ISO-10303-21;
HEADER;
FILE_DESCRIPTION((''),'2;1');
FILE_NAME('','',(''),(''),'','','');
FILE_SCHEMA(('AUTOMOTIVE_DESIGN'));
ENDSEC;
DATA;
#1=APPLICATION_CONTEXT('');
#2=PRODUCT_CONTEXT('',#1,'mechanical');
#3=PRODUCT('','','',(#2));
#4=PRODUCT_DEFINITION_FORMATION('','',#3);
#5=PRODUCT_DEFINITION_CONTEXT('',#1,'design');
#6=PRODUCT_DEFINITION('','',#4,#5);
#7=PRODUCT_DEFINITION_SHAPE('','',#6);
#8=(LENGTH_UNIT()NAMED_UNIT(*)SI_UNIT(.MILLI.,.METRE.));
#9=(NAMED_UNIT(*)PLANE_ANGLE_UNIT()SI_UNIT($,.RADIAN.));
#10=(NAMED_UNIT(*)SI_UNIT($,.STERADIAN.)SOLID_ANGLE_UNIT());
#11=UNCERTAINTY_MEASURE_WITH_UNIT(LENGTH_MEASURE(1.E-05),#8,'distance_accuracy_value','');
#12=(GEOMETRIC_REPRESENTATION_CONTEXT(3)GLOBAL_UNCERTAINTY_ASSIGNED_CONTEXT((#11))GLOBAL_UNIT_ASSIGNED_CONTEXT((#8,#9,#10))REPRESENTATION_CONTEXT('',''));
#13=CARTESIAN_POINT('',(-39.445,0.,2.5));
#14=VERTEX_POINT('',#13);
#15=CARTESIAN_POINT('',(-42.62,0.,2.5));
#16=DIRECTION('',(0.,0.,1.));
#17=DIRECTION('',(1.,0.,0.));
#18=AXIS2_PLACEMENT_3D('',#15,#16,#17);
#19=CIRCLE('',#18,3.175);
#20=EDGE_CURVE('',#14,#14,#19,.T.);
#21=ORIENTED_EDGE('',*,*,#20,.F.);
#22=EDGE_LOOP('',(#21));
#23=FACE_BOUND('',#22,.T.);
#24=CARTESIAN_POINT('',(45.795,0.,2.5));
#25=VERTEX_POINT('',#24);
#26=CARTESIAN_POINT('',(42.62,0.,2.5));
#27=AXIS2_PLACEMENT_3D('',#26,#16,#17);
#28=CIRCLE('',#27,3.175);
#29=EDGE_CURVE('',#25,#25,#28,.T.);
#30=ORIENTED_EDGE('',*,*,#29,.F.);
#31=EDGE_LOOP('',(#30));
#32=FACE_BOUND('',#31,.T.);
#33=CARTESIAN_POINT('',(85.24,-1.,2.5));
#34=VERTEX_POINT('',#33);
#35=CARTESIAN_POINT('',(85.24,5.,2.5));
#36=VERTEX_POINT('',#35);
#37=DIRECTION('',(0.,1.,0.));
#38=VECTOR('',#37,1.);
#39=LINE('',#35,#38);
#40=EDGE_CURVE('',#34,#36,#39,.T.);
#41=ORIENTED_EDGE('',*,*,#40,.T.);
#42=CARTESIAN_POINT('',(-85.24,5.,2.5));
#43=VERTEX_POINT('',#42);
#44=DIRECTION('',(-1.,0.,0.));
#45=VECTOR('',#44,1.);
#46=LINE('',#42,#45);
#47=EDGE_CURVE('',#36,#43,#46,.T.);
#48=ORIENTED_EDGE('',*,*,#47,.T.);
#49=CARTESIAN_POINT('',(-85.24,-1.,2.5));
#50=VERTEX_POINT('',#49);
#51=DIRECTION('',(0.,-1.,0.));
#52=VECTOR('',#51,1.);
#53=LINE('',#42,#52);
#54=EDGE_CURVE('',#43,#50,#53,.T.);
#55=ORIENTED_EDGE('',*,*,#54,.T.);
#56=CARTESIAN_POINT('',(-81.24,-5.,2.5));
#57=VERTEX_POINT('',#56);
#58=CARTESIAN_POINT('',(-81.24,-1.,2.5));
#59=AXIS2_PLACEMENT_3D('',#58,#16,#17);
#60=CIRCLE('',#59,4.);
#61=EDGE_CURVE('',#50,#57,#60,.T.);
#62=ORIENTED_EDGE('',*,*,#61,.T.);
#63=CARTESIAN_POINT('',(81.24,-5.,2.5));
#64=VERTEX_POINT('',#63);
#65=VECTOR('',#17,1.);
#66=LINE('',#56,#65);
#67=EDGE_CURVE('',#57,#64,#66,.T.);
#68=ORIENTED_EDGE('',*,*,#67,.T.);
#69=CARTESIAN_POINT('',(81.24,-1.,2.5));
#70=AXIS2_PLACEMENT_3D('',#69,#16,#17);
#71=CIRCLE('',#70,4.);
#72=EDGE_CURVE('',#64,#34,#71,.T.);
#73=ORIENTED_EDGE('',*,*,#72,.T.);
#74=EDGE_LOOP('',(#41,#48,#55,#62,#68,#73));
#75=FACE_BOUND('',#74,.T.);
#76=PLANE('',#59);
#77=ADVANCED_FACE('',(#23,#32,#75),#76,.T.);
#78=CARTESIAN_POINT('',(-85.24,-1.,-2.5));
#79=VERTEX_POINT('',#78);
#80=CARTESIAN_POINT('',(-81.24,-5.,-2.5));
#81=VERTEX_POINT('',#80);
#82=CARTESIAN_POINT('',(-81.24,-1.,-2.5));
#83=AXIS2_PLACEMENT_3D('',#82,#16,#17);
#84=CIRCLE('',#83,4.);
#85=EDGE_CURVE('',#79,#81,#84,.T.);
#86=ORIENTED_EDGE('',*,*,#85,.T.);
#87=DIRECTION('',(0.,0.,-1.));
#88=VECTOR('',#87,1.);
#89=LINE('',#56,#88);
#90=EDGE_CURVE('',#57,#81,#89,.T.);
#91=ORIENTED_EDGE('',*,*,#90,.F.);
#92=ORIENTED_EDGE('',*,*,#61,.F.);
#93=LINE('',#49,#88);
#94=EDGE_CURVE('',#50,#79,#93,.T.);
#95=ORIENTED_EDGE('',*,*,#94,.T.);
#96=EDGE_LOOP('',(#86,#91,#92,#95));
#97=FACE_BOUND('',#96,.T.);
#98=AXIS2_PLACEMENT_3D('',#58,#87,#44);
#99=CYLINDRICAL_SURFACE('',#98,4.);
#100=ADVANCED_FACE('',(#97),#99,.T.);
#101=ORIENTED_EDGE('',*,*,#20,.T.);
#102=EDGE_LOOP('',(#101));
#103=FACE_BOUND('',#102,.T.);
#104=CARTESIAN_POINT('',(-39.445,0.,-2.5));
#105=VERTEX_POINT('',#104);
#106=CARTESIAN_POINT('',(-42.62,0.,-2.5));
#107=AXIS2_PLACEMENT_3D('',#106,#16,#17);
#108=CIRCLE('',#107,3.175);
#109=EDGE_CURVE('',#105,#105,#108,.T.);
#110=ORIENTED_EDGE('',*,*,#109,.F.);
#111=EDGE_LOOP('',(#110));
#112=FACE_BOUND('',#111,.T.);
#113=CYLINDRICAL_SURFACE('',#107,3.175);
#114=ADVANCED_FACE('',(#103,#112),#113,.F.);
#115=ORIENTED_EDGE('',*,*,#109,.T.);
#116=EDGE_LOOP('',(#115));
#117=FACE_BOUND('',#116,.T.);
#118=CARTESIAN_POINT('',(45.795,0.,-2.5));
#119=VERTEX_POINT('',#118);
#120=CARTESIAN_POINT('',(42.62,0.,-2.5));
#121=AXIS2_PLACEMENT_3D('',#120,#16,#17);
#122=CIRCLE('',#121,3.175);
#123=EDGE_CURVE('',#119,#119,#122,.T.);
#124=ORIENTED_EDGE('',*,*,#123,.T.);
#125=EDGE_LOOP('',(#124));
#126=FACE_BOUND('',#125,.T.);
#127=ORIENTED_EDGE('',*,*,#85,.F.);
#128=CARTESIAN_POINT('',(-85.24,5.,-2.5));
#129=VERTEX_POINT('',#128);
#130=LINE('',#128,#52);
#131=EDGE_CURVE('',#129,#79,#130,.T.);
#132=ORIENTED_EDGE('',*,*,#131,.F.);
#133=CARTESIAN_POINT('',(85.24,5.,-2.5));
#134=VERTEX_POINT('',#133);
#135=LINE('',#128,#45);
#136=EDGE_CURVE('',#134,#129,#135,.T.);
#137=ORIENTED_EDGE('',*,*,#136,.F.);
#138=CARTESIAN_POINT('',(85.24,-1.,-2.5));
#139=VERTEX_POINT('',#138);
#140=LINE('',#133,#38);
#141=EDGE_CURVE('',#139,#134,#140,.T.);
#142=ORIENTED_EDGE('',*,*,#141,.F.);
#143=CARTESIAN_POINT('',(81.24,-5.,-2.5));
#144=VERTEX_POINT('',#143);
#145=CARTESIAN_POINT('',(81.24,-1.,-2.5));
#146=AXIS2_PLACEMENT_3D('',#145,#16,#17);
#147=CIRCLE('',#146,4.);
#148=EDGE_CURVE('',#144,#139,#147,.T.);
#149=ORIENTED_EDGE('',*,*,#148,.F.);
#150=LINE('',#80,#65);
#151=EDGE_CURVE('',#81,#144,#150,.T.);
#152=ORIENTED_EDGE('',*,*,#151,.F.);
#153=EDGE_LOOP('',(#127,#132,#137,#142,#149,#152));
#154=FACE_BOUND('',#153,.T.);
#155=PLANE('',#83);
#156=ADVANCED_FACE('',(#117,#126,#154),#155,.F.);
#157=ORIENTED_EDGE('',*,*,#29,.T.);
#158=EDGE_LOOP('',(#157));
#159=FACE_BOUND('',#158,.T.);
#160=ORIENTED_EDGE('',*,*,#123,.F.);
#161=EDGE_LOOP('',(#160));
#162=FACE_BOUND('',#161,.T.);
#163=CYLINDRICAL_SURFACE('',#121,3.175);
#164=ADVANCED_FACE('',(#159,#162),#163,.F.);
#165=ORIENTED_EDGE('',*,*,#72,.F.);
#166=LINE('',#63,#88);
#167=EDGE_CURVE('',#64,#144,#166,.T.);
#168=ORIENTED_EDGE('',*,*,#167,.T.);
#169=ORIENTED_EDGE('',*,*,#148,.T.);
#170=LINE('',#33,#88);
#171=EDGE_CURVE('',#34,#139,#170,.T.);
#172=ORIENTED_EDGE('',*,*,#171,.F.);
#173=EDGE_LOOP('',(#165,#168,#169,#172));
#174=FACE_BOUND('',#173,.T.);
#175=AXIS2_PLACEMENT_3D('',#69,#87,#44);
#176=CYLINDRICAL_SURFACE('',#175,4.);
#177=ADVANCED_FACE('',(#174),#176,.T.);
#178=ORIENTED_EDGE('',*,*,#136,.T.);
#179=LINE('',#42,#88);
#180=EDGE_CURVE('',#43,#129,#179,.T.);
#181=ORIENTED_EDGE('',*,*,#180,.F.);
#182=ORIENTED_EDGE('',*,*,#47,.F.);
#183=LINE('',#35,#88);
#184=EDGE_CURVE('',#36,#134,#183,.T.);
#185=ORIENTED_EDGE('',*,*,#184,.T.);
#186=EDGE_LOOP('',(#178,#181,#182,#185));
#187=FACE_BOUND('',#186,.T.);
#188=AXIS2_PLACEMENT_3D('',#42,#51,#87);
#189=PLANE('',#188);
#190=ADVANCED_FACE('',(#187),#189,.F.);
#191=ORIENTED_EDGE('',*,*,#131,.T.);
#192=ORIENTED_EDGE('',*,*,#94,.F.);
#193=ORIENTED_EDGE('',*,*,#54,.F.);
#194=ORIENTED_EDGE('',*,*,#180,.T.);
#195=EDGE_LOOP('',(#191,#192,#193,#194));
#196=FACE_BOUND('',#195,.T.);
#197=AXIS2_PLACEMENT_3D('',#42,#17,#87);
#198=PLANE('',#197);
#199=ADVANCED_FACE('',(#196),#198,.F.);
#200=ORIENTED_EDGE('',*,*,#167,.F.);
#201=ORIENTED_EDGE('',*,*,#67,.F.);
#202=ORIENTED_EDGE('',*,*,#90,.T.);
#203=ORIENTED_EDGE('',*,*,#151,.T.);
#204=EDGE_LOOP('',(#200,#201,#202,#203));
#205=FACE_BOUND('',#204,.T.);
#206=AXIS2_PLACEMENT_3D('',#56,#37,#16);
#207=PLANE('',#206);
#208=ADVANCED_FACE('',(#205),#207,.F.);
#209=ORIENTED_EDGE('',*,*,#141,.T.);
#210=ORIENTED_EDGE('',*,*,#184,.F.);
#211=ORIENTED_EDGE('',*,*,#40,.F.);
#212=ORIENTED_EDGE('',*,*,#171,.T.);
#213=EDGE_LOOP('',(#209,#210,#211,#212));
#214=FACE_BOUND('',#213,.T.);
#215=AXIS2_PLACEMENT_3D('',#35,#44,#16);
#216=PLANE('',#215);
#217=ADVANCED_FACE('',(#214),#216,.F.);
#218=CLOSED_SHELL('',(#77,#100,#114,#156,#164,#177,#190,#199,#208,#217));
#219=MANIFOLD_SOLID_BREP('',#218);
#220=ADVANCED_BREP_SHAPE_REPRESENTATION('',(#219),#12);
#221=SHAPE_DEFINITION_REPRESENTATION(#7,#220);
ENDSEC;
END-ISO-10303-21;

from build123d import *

# Parameters (mm, degrees)
SALIENTE_EXTRUIR1_DEPTH = 2.5
CROQUIS2_R              = 3.175
CORTAR_EXTRUIR1_DEPTH   = 86.532786696


with BuildPart() as part:
    # Croquis1 → Saliente-Extruir1 (new, symmetric)
    with BuildSketch(Plane.XY):
        with BuildLine():
            Line((-85.24, 5), (85.24, 5))
            Line((85.24, 5), (85.24, -1))
            ThreePointArc((85.24, -1), (84.068427125, -3.828427125), (81.24, -5))
            Line((81.24, -5), (-81.24, -5))
            ThreePointArc((-81.24, -5), (-84.068427125, -3.828427125), (-85.24, -1))
            Line((-85.24, -1), (-85.24, 5))
        make_face()
    extrude(amount=SALIENTE_EXTRUIR1_DEPTH, both=True)

    # Croquis2 → Cortar-Extruir1 (cut, through all)
    with BuildSketch(Plane.XY.offset(2.5)):
        with Locations((42.62, 0)):
            Circle(CROQUIS2_R)
        with Locations((-42.62, 0)):
            Circle(CROQUIS2_R)
    extrude(amount=-CORTAR_EXTRUIR1_DEPTH, mode=Mode.SUBTRACT)


solid = part.part
